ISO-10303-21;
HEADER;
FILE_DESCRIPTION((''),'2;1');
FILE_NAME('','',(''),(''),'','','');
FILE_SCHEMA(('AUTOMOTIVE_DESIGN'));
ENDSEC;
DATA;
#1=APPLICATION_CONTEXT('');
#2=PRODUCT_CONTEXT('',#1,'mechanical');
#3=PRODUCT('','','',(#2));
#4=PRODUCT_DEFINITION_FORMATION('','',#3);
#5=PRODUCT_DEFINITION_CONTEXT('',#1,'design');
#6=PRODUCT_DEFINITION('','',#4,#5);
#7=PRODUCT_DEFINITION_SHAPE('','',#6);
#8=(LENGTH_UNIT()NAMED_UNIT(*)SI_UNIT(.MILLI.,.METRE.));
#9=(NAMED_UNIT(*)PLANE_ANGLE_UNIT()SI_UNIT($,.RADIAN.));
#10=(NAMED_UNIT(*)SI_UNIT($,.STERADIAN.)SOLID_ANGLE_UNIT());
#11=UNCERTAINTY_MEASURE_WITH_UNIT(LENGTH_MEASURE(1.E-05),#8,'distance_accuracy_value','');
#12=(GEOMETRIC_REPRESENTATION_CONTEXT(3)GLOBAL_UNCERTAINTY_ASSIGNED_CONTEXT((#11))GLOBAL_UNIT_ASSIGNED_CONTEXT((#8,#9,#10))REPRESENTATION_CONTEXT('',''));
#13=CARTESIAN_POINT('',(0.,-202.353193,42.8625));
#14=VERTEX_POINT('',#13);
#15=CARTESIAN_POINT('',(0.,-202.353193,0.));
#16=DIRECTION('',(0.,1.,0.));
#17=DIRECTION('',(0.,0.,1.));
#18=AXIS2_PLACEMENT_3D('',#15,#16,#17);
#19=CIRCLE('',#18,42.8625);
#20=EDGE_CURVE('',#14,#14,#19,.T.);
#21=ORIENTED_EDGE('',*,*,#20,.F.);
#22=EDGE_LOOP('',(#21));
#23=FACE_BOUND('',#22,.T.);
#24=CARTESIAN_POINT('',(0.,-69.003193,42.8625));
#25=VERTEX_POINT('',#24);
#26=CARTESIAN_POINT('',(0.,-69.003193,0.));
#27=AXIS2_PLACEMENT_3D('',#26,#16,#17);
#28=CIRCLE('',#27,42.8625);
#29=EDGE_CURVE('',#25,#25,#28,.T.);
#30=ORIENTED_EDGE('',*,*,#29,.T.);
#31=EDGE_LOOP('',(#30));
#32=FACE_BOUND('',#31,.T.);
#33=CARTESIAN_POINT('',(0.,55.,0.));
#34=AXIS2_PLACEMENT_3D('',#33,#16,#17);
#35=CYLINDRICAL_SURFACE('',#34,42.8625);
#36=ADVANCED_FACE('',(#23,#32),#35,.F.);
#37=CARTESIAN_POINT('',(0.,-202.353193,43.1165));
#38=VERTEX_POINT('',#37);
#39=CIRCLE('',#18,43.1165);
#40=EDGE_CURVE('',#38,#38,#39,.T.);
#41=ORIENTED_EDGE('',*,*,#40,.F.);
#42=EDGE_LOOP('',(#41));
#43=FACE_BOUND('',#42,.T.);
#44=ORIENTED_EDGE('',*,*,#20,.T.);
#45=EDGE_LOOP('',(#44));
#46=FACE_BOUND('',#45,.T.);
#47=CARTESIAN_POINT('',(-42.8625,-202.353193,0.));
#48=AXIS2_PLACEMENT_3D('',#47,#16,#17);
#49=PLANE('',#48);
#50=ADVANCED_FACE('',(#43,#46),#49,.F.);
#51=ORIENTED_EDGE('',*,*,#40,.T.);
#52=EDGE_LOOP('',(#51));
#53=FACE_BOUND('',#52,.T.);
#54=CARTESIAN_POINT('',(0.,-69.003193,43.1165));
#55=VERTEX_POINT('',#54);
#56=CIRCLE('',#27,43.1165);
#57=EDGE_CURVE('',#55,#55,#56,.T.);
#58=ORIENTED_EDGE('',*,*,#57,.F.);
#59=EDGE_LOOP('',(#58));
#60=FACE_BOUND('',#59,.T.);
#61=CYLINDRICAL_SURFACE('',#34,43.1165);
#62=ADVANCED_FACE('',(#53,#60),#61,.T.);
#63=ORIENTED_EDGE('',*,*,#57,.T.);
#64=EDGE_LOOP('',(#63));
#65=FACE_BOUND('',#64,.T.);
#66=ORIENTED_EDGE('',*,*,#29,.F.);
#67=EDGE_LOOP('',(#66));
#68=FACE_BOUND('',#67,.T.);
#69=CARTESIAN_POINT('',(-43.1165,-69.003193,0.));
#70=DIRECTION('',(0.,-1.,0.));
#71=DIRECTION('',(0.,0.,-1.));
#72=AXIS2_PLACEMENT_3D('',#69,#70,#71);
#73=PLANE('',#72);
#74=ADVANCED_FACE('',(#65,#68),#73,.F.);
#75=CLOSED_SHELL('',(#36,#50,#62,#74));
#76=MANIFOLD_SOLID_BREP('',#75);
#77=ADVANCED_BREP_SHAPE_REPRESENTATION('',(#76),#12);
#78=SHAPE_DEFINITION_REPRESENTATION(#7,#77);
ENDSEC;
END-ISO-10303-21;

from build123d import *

# Parameters (mm, degrees)
SKETCH1_W = 0.254
SKETCH1_H = 133.35


with BuildPart() as part:
    # Sketch1 → Revolve-Thin1 (revolve)
    with BuildSketch(Plane.XY):
        with Locations((-42.9895, -135.67819341)):
            Rectangle(SKETCH1_W, SKETCH1_H)
    revolve(axis=Axis((0, 55, 0), (0, -1, 0)))


solid = part.part
